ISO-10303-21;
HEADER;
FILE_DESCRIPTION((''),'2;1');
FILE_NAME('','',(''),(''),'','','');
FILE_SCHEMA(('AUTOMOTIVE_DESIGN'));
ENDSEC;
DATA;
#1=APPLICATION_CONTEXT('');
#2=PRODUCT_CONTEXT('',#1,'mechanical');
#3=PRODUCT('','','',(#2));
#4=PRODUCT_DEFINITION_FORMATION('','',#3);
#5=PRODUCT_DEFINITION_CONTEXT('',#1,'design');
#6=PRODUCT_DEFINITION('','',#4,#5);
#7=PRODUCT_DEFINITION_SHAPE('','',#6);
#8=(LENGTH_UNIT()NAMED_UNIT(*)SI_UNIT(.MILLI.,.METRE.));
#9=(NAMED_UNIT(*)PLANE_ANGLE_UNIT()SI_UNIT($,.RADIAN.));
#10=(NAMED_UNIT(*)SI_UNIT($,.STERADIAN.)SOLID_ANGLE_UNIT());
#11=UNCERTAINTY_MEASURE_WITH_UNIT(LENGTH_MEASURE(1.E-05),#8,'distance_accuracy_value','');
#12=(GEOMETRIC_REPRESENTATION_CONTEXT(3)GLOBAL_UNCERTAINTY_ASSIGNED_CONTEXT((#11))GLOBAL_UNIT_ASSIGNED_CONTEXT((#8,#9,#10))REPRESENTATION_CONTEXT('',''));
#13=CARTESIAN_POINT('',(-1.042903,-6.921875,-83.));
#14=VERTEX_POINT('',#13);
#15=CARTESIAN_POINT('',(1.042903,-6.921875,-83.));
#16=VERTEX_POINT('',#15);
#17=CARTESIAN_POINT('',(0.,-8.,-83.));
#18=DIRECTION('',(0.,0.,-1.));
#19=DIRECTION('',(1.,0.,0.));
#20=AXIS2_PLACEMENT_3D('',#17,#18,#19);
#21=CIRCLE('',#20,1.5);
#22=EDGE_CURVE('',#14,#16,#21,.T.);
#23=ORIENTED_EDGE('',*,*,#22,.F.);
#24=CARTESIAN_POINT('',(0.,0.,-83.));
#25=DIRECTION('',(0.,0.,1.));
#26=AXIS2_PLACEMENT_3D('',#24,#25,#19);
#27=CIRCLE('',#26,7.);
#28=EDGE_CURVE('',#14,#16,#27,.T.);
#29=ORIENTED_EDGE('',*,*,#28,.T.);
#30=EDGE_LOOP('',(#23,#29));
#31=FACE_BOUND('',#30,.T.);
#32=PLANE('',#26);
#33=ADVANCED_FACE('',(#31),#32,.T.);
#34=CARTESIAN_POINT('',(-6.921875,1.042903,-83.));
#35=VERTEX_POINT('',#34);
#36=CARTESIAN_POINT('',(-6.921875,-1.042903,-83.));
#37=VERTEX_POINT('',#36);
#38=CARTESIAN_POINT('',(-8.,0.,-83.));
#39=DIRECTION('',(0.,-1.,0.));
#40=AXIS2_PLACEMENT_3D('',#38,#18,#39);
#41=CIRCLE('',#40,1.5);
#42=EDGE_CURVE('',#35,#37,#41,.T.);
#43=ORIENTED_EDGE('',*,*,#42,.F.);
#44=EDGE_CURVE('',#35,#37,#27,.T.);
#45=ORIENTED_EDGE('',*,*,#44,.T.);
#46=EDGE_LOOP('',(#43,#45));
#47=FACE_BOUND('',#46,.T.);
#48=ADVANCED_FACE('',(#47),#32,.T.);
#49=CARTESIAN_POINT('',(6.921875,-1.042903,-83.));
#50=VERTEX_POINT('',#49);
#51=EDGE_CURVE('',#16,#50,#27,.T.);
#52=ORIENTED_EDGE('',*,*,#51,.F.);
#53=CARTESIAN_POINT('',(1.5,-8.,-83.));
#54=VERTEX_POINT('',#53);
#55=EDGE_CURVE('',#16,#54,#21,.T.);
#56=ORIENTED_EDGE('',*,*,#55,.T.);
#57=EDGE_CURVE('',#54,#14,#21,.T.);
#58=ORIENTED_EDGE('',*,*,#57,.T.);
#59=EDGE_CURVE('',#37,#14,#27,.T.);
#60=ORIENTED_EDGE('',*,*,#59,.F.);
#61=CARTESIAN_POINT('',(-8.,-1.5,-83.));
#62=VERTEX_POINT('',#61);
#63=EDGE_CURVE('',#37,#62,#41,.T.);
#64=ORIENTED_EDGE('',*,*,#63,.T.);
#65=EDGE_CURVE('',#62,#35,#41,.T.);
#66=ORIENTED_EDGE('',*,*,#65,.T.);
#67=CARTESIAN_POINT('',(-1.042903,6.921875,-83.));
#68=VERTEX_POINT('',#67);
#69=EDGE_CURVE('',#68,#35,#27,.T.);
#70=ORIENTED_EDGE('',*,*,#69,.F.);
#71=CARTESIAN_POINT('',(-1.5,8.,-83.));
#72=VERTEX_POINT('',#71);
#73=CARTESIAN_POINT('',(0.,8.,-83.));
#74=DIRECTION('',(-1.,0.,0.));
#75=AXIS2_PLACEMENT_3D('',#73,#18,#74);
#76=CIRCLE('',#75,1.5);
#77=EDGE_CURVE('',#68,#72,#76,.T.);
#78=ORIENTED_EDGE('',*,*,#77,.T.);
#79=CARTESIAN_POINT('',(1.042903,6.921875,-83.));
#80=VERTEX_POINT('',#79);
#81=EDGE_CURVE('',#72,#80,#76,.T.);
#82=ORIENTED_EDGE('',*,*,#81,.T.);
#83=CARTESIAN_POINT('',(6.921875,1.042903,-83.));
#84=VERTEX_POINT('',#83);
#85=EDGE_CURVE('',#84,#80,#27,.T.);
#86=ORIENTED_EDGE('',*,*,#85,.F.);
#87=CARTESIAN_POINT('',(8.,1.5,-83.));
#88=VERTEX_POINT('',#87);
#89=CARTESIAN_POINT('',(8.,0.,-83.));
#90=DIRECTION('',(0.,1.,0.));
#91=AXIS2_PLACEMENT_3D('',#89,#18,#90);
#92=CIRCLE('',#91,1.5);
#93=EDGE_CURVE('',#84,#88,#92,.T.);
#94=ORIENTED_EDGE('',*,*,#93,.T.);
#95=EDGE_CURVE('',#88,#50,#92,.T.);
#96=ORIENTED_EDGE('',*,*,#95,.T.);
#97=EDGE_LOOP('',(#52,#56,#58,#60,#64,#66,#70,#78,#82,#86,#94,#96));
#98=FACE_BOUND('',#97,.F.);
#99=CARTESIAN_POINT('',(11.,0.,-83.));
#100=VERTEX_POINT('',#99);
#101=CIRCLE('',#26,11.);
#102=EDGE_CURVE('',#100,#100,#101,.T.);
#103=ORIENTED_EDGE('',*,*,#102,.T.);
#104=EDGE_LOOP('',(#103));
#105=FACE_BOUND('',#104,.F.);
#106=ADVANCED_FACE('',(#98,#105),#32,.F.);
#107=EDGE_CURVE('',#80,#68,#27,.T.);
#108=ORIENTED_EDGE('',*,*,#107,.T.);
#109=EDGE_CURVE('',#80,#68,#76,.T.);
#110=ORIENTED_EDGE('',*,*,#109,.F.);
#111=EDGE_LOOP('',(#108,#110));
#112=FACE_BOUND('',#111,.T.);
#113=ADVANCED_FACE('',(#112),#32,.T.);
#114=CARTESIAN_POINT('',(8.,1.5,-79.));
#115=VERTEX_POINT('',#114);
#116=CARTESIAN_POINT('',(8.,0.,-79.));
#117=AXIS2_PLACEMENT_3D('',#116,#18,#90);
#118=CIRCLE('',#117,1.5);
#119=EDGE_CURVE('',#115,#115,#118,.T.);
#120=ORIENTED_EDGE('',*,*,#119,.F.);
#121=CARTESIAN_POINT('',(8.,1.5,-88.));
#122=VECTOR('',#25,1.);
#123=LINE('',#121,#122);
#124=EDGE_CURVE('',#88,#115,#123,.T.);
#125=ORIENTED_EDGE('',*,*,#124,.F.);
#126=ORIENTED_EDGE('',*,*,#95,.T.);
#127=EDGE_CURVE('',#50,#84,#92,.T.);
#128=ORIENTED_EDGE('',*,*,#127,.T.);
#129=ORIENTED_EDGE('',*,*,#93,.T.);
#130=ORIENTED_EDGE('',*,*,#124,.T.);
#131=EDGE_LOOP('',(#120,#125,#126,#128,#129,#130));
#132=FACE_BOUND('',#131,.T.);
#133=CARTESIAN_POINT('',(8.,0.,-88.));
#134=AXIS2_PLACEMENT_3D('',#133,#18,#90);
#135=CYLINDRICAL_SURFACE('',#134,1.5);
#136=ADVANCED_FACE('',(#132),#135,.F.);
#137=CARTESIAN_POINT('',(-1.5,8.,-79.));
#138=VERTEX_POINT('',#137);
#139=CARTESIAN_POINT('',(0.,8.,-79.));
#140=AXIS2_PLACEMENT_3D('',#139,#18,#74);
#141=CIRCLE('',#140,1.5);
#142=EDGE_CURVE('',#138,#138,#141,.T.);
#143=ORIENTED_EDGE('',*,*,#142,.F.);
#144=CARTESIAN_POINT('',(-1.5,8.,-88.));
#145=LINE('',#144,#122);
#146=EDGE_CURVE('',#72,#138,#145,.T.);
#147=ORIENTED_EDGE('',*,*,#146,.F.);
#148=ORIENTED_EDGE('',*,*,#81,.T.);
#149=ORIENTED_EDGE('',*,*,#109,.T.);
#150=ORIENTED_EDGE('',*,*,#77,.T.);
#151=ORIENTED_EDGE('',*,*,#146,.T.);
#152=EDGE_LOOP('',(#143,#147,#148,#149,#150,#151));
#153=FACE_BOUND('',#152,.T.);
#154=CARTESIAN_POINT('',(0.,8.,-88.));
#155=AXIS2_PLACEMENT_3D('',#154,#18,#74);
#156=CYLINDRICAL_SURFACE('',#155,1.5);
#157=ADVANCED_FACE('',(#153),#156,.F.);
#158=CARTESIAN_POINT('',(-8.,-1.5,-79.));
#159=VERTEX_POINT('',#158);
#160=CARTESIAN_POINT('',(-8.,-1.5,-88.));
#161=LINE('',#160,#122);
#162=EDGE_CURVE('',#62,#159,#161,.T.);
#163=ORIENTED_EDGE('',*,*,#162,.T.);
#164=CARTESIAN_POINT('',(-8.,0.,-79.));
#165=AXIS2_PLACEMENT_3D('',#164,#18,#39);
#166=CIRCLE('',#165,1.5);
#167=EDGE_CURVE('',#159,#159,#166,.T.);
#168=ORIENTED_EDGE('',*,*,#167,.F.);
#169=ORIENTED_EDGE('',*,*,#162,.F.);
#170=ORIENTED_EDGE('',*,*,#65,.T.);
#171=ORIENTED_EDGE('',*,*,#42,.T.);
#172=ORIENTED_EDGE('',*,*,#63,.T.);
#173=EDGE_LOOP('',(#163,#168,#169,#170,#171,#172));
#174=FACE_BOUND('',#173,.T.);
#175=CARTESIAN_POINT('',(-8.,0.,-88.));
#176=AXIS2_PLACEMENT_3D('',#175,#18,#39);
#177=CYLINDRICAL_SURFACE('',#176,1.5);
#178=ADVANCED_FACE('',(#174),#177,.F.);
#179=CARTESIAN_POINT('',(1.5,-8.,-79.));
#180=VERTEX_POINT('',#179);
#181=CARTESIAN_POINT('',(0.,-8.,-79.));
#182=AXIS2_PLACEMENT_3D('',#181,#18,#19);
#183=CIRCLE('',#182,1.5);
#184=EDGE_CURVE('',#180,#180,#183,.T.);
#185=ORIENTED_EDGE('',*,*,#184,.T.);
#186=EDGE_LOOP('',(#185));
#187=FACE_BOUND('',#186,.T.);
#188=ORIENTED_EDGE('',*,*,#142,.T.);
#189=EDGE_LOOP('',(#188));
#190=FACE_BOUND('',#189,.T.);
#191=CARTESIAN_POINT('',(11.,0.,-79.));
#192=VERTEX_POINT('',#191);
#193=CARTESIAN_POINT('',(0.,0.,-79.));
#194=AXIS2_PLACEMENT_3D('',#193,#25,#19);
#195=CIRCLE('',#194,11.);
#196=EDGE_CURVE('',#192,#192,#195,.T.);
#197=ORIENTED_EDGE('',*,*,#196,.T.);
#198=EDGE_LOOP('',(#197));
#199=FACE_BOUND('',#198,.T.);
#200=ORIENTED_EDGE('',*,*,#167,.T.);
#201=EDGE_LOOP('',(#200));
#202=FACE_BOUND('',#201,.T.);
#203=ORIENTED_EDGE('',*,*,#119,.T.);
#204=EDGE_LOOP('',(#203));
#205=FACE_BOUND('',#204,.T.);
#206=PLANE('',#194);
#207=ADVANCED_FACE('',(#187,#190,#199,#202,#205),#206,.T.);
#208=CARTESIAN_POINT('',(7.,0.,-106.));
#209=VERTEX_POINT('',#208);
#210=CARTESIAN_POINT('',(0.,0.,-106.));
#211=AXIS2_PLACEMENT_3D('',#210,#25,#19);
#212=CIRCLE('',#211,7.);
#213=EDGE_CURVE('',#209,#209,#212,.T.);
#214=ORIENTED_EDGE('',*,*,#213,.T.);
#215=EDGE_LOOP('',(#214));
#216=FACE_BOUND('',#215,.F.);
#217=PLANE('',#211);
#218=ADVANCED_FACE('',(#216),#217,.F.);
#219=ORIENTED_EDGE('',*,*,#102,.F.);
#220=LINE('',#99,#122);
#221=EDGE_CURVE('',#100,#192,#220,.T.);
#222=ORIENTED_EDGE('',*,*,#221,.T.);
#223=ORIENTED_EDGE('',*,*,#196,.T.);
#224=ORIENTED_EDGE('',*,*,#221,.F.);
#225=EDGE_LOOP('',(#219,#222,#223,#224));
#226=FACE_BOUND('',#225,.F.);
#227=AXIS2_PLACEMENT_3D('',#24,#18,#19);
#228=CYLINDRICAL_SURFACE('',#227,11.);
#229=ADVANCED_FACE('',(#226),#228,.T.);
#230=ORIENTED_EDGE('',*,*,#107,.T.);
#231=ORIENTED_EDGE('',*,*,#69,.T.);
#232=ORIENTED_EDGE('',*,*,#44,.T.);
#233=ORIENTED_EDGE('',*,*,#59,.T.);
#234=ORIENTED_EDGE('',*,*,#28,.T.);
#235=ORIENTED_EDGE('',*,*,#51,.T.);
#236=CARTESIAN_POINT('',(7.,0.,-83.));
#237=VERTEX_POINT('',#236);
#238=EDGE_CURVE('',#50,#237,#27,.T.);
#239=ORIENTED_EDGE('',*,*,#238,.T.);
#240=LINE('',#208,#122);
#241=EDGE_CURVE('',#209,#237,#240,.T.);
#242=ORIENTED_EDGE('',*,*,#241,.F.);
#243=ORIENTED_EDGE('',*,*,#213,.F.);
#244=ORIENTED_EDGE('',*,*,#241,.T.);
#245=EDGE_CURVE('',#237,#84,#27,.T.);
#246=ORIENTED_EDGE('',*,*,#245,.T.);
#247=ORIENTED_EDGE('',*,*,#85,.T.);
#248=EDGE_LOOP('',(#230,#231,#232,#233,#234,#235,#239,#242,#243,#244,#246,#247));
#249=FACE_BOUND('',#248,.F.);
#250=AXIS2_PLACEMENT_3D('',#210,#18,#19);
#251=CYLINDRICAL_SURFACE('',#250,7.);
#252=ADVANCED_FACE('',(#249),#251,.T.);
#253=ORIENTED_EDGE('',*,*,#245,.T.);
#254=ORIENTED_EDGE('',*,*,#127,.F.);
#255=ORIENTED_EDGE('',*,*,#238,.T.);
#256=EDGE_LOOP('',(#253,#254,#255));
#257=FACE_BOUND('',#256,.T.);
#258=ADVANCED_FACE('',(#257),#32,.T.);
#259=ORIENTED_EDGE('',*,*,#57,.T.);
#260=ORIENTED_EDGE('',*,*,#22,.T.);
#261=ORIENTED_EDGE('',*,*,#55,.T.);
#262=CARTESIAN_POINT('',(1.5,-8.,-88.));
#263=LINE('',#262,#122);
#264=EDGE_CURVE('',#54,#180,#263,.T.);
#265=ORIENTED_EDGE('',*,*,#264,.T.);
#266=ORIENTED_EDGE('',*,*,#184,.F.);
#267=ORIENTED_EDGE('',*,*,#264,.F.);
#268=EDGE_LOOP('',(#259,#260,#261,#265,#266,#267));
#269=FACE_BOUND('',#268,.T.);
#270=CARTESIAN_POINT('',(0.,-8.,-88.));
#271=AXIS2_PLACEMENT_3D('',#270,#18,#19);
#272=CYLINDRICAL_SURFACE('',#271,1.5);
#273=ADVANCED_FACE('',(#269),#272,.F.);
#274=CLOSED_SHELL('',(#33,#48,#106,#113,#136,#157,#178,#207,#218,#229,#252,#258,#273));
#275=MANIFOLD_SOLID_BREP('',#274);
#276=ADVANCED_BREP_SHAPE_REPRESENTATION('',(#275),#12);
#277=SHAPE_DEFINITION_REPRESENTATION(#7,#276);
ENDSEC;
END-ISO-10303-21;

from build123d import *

# Parameters (mm, degrees)
CYLINDER004_R     = 7
CYLINDER004_DEPTH = 23
CYLINDER006_R     = 1.5
CYLINDER006_DEPTH = 20
ARRAY001_COUNT    = 4
CYLINDER005_R     = 11
CYLINDER005_DEPTH = 4


with BuildPart() as backlash_nut_cylinder:
    # Cylinder004 → Cylinder004 (new body)
    with BuildSketch(Plane.XY.offset(-23)):
        Circle(CYLINDER004_R)
    extrude(amount=CYLINDER004_DEPTH)


with BuildPart() as array001:
    # Cylinder006 → Cylinder006 (new body)
    with BuildSketch(Plane(origin=(0, -8, -5), x_dir=(1, 0, 0), z_dir=(0, 0, 1))):
        Circle(CYLINDER006_R)
    extrude(amount=CYLINDER006_DEPTH)

    # Array001: Array001 ×4 about axis
    array001_axis = Axis((0, 0, 0), (0, 0, 1))


with BuildPart() as array001_1:
    add(array001.part)
    for i in range(1, ARRAY001_COUNT):
        add(array001.part.rotate(array001_axis, i * 360 / ARRAY001_COUNT))


with BuildPart() as backlash_nut_union:
    # Cylinder005 → Cylinder005 (new body)
    with BuildSketch(Plane.XY):
        Circle(CYLINDER005_R)
    extrude(amount=CYLINDER005_DEPTH)

    # Cut: cut Array001
    add(array001_1.part, mode=Mode.SUBTRACT)

    # Fusion: union backlash nut cylinder
    add(backlash_nut_cylinder.part)


with BuildPart() as backlash_nut_union_1:
    # Fusion placement: moved
    add(backlash_nut_union.part.moved(Location((0, 0, -83))))


solid = backlash_nut_union_1.part
